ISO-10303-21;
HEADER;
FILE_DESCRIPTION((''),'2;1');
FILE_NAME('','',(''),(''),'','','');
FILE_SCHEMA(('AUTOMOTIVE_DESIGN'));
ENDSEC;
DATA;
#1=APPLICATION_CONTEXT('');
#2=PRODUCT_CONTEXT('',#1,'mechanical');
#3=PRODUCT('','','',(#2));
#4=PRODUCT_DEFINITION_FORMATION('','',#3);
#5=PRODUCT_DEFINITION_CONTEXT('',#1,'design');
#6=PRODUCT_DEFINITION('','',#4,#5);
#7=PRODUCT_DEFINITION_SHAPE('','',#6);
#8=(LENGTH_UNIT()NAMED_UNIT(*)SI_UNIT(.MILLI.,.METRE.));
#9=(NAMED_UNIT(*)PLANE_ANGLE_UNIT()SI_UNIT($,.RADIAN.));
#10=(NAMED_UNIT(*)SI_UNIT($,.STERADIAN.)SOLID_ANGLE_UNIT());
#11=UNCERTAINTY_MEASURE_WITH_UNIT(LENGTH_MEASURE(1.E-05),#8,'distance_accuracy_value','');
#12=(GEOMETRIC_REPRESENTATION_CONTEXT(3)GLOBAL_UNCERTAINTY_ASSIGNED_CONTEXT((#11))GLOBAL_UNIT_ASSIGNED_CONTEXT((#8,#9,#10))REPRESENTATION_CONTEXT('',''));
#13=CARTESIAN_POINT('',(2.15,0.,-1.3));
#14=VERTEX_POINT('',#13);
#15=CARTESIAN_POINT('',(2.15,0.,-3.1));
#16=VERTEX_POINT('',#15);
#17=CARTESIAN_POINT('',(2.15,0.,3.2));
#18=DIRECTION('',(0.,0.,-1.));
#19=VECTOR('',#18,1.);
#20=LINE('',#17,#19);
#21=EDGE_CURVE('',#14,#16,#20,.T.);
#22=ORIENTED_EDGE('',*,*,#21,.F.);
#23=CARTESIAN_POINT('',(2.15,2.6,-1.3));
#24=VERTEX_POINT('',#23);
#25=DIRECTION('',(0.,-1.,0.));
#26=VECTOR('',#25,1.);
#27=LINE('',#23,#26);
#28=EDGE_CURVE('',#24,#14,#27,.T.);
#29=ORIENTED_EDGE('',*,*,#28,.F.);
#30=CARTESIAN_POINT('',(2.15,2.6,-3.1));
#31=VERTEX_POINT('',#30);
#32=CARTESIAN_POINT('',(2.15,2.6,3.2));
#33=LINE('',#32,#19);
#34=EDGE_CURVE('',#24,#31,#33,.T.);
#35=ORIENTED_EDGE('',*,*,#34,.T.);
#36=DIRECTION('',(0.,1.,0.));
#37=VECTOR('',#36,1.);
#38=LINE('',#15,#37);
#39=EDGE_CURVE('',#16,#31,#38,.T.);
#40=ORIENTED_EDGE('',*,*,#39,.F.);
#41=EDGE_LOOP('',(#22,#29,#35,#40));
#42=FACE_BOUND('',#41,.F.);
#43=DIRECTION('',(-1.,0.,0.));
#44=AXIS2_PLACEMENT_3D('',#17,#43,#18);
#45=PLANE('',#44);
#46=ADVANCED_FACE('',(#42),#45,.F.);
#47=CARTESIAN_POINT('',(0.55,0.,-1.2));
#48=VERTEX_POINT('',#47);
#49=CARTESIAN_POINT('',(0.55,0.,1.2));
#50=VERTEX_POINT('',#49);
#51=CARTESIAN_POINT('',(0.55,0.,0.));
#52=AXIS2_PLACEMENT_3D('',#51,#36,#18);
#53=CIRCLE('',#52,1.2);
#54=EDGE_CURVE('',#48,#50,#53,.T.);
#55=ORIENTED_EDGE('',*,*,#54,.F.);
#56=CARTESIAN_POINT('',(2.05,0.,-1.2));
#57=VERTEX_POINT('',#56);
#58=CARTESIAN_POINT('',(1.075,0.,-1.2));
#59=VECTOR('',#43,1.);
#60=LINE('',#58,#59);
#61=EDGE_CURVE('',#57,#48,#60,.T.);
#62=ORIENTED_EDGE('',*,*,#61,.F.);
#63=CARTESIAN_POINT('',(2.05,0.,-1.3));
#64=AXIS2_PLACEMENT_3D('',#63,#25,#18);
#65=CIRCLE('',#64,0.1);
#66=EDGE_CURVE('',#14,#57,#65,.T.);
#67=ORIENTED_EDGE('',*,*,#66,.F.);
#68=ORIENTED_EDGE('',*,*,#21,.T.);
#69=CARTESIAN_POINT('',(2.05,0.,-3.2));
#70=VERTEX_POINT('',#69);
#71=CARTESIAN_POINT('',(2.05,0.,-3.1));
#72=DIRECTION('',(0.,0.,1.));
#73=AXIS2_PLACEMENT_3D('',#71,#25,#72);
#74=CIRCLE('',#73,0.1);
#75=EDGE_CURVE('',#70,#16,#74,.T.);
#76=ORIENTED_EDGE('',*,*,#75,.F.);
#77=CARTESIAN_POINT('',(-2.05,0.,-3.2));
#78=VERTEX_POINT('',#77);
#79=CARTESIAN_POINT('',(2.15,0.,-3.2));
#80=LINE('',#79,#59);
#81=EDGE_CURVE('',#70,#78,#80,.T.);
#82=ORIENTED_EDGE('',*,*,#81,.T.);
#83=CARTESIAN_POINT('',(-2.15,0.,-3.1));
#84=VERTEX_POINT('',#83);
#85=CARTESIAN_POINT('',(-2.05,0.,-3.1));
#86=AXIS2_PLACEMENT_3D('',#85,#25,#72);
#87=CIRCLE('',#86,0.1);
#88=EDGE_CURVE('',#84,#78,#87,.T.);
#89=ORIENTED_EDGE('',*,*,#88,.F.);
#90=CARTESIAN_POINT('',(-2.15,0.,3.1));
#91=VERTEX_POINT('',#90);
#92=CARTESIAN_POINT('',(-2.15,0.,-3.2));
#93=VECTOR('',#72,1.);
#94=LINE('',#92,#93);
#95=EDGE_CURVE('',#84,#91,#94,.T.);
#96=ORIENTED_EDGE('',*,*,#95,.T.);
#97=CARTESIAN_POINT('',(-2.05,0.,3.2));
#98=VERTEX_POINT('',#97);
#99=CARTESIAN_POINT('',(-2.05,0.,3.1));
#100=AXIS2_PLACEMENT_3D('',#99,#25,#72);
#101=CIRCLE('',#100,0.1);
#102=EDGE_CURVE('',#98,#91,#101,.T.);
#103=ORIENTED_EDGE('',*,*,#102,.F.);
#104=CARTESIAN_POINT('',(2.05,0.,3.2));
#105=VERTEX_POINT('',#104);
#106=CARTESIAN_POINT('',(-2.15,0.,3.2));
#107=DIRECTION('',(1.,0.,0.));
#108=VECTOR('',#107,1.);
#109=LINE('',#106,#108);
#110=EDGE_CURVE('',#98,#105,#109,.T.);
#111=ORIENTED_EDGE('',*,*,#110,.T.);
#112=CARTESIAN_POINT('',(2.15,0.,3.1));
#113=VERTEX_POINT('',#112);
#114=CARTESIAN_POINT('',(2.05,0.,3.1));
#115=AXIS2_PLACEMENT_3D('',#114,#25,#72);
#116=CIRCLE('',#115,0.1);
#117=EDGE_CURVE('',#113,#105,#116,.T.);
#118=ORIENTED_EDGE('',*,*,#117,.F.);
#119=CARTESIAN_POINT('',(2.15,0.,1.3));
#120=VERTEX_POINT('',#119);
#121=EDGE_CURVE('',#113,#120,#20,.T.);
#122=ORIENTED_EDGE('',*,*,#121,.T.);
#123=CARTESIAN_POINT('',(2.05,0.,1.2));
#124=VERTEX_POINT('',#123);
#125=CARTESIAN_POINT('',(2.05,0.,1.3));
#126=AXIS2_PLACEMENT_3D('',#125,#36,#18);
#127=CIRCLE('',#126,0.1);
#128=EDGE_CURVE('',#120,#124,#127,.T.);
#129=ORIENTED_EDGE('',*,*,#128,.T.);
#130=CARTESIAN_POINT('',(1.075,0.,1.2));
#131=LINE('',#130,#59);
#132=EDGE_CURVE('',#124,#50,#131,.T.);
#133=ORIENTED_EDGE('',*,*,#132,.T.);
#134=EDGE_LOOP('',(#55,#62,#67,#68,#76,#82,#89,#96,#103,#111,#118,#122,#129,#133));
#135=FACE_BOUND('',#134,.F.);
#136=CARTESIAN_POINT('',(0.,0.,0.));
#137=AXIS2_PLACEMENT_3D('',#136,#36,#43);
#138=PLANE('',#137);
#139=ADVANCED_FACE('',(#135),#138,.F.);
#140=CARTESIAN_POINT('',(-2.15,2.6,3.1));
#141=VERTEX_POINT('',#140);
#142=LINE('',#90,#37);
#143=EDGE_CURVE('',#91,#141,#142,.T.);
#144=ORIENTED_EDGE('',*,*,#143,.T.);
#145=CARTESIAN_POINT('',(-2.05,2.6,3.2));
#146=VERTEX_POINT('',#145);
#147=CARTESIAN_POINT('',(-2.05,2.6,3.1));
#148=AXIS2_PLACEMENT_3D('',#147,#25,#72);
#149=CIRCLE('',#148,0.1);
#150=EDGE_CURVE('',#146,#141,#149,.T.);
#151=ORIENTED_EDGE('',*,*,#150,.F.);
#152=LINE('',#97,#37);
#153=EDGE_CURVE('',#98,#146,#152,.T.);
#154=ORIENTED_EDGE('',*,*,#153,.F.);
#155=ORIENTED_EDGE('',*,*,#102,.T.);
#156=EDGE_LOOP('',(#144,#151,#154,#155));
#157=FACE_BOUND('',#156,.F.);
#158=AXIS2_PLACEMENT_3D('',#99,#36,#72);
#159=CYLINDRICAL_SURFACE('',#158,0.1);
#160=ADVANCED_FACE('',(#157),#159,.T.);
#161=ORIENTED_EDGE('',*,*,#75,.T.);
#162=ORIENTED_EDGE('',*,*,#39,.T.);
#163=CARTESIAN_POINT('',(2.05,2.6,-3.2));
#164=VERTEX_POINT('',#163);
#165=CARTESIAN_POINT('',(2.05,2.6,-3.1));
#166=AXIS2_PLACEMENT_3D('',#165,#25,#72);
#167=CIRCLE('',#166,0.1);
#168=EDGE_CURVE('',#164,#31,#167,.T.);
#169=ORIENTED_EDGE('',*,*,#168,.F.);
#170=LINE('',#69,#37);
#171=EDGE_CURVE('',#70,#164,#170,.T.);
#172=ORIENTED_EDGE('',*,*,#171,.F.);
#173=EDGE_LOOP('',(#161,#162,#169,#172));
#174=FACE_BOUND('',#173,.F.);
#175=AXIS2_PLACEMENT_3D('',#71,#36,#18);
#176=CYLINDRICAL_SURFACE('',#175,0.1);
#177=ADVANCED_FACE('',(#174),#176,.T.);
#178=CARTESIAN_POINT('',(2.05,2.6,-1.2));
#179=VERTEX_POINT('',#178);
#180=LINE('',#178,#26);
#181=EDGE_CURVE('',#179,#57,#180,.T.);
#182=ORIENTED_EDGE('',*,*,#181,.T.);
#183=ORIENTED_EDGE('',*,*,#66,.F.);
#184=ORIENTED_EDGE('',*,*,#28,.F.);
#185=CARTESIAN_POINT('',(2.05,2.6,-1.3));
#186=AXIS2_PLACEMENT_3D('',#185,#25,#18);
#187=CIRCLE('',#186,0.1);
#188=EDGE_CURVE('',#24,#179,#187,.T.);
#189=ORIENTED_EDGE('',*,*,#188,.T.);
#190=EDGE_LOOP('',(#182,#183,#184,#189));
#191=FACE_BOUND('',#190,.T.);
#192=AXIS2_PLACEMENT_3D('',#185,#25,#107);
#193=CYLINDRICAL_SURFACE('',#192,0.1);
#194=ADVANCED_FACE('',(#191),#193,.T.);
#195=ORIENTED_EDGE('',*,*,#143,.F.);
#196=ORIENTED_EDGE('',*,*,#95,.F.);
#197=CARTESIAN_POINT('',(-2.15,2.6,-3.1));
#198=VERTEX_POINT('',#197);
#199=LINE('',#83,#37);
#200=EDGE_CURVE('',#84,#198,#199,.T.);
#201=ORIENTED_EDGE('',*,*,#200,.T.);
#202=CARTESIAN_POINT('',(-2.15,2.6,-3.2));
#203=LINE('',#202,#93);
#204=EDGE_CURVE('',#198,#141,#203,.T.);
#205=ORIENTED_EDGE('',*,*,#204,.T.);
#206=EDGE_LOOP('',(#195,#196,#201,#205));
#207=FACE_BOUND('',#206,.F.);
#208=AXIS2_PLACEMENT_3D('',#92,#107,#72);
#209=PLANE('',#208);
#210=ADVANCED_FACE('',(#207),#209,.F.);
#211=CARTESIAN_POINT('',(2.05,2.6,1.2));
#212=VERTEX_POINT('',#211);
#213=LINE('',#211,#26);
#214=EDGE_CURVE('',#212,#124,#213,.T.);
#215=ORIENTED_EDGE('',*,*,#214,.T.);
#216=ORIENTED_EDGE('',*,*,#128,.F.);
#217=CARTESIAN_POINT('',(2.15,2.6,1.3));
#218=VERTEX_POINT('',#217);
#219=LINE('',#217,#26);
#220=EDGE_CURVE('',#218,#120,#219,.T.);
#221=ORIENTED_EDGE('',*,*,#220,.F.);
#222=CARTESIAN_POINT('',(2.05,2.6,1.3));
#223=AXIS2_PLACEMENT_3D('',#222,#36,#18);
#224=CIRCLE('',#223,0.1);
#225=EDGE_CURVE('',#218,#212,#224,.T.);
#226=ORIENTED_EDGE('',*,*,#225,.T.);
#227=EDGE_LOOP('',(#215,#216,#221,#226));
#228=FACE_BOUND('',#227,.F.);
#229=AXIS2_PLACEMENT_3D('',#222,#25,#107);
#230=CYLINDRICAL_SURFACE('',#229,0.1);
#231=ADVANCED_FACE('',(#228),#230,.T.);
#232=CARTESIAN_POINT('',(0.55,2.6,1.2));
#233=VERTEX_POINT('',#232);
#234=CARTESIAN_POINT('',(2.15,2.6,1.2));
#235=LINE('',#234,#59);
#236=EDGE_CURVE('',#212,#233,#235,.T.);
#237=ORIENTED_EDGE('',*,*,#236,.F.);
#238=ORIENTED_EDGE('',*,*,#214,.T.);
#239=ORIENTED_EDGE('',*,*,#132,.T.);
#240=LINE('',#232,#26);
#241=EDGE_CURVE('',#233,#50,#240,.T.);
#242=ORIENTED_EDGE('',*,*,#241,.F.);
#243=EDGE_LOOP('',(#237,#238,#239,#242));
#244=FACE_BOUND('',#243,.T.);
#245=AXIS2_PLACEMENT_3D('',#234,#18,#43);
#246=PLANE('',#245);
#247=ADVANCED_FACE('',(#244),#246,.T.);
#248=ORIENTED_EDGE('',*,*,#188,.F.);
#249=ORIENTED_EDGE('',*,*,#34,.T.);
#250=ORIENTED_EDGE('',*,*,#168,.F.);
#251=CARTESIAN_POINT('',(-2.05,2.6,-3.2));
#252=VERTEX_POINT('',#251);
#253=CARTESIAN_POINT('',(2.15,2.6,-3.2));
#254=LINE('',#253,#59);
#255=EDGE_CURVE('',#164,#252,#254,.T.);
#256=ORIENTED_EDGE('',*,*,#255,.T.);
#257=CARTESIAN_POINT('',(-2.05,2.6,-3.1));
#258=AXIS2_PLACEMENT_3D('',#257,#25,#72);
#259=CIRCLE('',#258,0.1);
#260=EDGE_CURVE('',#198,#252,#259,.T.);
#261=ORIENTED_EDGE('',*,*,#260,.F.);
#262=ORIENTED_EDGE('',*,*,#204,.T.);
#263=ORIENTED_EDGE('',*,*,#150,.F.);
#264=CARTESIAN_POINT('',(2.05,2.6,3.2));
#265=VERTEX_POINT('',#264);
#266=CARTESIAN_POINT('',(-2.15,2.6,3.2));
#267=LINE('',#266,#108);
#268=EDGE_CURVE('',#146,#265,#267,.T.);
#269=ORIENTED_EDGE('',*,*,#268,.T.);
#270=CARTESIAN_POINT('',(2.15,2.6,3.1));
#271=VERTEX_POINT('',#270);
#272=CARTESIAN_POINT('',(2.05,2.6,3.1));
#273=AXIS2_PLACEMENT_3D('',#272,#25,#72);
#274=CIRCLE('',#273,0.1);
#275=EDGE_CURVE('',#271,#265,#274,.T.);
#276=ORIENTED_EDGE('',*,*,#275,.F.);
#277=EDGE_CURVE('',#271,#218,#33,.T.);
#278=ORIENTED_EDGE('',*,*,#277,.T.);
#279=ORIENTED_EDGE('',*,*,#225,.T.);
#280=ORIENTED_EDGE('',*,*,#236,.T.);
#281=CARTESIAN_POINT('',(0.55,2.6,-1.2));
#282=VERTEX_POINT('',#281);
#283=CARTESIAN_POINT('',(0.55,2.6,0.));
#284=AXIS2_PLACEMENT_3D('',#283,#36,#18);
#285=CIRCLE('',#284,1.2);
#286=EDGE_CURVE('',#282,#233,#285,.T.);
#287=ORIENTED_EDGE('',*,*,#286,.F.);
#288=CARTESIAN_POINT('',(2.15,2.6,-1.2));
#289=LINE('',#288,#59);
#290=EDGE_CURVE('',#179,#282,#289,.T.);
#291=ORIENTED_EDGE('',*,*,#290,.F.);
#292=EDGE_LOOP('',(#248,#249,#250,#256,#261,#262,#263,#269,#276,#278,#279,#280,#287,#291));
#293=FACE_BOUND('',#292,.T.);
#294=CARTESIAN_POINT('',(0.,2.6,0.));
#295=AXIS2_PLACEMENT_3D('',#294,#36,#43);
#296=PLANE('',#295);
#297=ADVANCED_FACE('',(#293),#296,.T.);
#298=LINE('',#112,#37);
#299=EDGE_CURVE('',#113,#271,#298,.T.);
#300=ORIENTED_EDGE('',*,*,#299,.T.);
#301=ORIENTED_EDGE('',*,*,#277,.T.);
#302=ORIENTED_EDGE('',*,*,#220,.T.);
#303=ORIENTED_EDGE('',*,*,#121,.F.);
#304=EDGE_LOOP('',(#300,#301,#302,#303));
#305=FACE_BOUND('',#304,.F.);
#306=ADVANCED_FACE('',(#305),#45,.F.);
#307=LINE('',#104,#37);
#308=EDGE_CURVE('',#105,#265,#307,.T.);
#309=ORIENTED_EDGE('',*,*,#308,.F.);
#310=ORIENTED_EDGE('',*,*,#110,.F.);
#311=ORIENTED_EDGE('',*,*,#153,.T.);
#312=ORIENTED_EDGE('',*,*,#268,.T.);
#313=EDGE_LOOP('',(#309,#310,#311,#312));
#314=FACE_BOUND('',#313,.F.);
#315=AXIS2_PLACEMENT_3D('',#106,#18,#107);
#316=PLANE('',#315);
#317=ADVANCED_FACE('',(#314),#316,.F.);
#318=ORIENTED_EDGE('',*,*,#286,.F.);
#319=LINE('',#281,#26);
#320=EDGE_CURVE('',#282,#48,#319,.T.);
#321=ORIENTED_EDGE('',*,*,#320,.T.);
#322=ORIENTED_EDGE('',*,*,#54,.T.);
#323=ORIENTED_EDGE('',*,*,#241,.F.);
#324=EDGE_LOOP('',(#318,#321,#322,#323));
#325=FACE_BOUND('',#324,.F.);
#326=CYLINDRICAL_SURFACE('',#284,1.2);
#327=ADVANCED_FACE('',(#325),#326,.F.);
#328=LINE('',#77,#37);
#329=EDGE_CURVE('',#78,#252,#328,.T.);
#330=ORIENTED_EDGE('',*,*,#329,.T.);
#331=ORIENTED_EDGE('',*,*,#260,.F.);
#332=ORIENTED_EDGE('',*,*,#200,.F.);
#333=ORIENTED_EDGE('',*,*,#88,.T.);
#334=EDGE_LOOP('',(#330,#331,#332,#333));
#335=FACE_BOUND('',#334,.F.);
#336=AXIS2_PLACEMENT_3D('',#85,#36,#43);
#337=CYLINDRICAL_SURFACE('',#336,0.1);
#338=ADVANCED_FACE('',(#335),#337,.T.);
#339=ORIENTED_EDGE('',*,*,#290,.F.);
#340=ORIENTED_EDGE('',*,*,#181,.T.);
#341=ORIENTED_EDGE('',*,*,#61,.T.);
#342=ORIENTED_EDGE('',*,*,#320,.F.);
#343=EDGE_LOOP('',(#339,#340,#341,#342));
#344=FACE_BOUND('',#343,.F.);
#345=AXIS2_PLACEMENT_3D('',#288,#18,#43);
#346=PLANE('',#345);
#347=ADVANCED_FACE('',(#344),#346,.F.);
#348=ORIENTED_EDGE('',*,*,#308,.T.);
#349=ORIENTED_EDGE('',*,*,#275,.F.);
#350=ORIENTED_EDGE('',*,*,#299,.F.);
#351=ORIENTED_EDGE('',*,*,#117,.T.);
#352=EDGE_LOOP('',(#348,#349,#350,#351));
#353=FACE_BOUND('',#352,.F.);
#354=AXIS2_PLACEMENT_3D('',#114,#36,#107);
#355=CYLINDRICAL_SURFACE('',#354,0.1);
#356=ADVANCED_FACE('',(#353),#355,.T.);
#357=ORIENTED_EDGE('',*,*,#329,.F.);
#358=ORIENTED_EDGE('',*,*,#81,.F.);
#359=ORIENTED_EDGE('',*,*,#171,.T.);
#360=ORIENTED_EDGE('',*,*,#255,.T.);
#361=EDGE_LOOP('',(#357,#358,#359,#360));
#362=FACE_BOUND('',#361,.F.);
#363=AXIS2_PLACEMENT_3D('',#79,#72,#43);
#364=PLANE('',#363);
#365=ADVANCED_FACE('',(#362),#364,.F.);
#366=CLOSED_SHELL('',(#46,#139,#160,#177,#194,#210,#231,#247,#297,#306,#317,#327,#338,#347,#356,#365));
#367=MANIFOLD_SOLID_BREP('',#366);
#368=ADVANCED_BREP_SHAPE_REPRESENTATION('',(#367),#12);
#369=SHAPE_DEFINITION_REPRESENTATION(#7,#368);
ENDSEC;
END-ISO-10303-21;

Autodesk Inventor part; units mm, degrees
ref_plane "YZ Plane" through (0, 0, 0) normal (1, 0, 0) x (0, 1, 0)
ref_plane "XZ Plane" through (0, 0, 0) normal (0, 1, 0) x (-1, 0, 0)
ref_plane "XY Plane" through (0, 0, 0) normal (0, 0, 1) x (1, 0, 0)
sketch "Sketch1" plane through (0, 0, 0) normal (0, 1, 0) x (-1, 0, 0)
  line L0 (-2.15, -3.2) -> (2.15, -3.2)
  line L1 (2.15, -3.2) -> (2.15, 3.2)
  line L2 (2.15, 3.2) -> (-2.15, 3.2)
  line L3 (-2.15, 3.2) -> (-2.15, -3.2)
  line L4 (-2.15, -3.2) -> (2.15, 3.2) construction
  line L5 (2.15, -3.2) -> (-2.15, 3.2) construction
  point P0 (0, 0)
  dimension "d0" = 6.4
  dimension "d1" = 4.3
extrude "Extrusion1" add sketch "Sketch1" along normal blind 2.6
sketch "Sketch2" plane through (0, 2.6, 0) normal (0, 1, 0) x (1, 0, 0)
  line L0 (2.15, -3.2) -> (2.15, 3.2) projected
  line L1 (2.15, -1.2) -> (0.55, -1.2)
  line L2 (2.15, 1.2) -> (0.55, 1.2)
  arc A0 (0.55, 1.2) -> (0.55, -1.2) centre (0.55, 0) ccw
  point P0 (0, 0)
  dimension "d4" = 2.4
  dimension "d5" = 1.2
  dimension "d6" = 1.6
  dimension "d7" = 1.2
extrude "Extrusion2" cut sketch "Sketch2" against normal through all
fillet "Fillet1" radius 0.1 6 edges at (2.15, 1.3, 3.2) (-2.15, 1.3, 3.2) (-2.15, 1.3, -3.2) (2.15, 1.3, -3.2) (2.15, 1.3, -1.2) (2.15, 1.3, 1.2)
equation "\"d5\" = 0.5 * d4"
properties part number "Edge Spacer v2p0"
